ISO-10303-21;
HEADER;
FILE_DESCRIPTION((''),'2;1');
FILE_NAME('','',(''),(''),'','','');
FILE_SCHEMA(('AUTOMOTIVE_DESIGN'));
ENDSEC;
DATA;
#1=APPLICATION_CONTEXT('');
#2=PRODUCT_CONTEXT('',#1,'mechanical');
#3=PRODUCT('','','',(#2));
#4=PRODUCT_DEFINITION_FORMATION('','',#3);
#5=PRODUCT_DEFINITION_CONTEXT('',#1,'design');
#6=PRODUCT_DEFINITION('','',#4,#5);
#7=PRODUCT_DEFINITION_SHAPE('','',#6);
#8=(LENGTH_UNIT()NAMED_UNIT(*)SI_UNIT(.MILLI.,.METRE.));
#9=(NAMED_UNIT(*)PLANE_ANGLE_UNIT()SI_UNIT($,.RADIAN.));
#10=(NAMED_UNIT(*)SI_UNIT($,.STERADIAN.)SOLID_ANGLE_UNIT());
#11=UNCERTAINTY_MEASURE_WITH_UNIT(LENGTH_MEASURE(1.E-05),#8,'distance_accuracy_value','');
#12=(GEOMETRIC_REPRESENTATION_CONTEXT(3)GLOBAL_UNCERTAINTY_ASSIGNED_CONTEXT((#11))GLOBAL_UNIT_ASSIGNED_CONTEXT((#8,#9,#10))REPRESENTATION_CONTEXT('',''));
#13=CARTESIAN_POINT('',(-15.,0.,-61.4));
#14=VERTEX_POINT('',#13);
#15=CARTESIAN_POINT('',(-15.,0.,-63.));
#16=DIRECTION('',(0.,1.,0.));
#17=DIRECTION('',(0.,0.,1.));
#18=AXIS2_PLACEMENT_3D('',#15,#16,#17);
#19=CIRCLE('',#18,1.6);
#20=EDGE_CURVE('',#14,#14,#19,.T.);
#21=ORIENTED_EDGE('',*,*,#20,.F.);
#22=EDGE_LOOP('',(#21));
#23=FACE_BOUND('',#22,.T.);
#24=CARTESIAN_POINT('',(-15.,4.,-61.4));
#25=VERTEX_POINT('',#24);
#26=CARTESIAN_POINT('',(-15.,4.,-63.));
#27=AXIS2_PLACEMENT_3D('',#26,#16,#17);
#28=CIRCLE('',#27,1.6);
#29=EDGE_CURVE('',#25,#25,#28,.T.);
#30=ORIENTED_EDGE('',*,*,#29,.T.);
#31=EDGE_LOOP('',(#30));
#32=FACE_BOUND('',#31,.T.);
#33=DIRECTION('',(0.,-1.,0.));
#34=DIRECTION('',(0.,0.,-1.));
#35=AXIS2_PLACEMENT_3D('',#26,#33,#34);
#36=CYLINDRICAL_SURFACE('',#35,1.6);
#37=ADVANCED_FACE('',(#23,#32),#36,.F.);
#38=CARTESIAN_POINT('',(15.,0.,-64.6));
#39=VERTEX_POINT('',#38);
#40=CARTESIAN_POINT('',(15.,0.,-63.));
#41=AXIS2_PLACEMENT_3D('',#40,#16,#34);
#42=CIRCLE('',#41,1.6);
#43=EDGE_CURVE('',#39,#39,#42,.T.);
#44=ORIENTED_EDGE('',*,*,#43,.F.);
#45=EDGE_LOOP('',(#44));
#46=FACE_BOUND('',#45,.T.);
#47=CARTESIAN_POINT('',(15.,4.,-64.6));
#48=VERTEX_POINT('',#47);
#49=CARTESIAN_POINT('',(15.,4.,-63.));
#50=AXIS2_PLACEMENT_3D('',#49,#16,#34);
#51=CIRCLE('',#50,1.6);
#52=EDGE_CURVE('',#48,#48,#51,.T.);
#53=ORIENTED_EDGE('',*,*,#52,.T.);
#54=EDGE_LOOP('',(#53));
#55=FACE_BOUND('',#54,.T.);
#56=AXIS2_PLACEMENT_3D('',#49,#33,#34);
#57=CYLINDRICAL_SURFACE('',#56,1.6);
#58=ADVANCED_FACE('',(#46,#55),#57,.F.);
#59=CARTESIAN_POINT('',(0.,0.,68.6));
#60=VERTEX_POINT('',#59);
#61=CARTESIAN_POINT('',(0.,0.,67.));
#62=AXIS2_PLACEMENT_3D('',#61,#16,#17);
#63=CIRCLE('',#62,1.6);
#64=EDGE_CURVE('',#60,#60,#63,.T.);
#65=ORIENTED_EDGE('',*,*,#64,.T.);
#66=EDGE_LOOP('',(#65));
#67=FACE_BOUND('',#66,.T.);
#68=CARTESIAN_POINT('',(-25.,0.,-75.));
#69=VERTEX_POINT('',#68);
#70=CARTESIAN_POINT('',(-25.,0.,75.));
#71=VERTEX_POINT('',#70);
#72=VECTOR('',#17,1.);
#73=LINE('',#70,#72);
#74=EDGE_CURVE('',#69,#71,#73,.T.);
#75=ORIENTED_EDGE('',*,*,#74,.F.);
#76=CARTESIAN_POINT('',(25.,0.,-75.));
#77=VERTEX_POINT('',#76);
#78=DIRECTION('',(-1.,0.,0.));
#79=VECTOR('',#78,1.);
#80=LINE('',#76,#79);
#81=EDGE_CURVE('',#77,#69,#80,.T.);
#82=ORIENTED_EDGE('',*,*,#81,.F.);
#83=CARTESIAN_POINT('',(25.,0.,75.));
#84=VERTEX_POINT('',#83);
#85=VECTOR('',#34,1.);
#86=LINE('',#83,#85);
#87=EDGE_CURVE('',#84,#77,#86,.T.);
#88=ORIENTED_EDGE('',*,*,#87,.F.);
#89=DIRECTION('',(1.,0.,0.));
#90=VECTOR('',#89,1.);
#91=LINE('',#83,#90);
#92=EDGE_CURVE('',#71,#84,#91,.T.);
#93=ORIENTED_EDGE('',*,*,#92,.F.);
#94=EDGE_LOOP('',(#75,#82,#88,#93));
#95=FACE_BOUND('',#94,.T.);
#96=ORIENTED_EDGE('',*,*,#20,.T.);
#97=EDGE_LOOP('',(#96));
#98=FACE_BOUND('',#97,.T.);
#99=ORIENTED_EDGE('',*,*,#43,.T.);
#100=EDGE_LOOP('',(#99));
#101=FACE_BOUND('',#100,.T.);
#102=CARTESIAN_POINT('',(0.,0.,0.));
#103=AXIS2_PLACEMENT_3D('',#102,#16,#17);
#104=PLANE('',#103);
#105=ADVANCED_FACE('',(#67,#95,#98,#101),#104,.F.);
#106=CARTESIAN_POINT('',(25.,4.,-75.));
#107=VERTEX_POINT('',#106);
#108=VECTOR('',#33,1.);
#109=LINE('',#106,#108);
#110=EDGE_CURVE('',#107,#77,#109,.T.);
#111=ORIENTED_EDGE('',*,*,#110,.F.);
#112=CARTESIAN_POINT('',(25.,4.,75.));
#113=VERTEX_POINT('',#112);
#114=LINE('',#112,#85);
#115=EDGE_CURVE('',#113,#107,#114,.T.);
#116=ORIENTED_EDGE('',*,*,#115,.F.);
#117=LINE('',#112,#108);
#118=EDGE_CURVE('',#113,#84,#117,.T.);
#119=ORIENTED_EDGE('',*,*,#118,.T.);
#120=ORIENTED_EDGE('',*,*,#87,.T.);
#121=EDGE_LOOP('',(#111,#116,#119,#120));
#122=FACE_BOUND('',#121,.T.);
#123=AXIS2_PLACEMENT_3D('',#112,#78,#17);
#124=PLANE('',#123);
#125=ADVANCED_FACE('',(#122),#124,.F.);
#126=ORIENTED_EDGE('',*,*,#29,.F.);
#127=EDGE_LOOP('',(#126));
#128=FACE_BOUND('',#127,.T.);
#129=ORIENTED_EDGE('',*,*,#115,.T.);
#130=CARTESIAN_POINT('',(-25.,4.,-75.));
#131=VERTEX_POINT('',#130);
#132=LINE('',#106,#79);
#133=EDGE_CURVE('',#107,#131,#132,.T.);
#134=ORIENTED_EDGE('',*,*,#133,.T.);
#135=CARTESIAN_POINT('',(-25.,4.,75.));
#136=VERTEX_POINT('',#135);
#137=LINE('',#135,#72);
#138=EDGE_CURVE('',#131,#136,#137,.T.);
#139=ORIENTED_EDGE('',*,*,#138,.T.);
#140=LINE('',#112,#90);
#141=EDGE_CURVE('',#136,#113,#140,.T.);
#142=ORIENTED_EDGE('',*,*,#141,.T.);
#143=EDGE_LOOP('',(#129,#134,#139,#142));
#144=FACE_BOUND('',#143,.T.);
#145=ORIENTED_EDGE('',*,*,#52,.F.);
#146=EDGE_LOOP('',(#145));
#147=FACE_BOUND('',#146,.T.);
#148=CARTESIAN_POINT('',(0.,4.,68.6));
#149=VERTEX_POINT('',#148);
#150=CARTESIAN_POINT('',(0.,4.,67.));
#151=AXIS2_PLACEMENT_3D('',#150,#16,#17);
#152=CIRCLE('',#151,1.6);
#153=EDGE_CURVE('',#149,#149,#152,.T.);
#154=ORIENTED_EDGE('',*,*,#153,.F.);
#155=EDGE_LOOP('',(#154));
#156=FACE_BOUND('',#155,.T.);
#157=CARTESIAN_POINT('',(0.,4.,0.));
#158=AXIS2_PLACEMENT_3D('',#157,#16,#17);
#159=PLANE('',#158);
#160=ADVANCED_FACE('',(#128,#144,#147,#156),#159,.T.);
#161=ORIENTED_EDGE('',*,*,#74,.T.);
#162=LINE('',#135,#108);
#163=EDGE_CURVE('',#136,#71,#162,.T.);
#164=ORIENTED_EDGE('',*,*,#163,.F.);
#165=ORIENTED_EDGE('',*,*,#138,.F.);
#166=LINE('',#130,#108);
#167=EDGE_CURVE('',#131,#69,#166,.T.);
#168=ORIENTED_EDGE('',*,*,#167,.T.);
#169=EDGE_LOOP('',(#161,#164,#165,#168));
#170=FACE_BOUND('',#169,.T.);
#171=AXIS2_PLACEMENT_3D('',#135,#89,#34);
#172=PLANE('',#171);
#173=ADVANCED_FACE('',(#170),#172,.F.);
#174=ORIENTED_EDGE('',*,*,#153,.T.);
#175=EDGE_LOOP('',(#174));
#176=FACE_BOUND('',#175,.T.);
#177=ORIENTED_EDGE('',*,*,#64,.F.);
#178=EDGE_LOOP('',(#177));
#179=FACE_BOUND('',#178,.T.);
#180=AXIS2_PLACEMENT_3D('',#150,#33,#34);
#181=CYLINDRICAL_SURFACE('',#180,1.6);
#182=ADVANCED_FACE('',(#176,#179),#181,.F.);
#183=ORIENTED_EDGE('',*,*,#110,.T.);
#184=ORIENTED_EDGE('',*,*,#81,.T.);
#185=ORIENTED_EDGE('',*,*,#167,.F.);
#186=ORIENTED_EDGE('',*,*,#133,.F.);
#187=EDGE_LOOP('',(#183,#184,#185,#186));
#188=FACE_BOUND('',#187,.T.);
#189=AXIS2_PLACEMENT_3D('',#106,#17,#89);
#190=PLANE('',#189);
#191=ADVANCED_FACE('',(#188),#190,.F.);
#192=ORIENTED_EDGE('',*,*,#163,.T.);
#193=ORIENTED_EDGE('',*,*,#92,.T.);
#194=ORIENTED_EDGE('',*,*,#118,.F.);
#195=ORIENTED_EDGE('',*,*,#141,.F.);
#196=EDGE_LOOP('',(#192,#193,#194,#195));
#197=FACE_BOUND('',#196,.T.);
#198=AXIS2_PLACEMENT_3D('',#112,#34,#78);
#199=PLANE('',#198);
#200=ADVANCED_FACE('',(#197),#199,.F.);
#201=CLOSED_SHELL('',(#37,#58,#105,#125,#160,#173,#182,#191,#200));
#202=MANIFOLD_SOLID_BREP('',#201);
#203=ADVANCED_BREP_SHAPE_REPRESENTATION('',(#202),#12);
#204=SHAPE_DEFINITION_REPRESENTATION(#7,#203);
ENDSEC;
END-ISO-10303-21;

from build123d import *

# Parameters (mm, degrees)
SKETCH_1_W      = 50
SKETCH_1_H      = 150
SKETCH_1_R      = 1.6
EXTRUDE_1_DEPTH = 4


with BuildPart() as part:
    # 草图1 → 凸台-拉伸1 (new body)
    with BuildSketch(Plane(origin=(0, 0, 0), x_dir=(1, 0, 0), z_dir=(0, 1, 0))):
        Rectangle(SKETCH_1_W, SKETCH_1_H)
        with Locations((-15, 63)):
            Circle(SKETCH_1_R, mode=Mode.SUBTRACT)
        with Locations((15, 63)):
            Circle(SKETCH_1_R, mode=Mode.SUBTRACT)
        with Locations((0, -67)):
            Circle(SKETCH_1_R, mode=Mode.SUBTRACT)
    extrude(amount=EXTRUDE_1_DEPTH)


solid = part.part
